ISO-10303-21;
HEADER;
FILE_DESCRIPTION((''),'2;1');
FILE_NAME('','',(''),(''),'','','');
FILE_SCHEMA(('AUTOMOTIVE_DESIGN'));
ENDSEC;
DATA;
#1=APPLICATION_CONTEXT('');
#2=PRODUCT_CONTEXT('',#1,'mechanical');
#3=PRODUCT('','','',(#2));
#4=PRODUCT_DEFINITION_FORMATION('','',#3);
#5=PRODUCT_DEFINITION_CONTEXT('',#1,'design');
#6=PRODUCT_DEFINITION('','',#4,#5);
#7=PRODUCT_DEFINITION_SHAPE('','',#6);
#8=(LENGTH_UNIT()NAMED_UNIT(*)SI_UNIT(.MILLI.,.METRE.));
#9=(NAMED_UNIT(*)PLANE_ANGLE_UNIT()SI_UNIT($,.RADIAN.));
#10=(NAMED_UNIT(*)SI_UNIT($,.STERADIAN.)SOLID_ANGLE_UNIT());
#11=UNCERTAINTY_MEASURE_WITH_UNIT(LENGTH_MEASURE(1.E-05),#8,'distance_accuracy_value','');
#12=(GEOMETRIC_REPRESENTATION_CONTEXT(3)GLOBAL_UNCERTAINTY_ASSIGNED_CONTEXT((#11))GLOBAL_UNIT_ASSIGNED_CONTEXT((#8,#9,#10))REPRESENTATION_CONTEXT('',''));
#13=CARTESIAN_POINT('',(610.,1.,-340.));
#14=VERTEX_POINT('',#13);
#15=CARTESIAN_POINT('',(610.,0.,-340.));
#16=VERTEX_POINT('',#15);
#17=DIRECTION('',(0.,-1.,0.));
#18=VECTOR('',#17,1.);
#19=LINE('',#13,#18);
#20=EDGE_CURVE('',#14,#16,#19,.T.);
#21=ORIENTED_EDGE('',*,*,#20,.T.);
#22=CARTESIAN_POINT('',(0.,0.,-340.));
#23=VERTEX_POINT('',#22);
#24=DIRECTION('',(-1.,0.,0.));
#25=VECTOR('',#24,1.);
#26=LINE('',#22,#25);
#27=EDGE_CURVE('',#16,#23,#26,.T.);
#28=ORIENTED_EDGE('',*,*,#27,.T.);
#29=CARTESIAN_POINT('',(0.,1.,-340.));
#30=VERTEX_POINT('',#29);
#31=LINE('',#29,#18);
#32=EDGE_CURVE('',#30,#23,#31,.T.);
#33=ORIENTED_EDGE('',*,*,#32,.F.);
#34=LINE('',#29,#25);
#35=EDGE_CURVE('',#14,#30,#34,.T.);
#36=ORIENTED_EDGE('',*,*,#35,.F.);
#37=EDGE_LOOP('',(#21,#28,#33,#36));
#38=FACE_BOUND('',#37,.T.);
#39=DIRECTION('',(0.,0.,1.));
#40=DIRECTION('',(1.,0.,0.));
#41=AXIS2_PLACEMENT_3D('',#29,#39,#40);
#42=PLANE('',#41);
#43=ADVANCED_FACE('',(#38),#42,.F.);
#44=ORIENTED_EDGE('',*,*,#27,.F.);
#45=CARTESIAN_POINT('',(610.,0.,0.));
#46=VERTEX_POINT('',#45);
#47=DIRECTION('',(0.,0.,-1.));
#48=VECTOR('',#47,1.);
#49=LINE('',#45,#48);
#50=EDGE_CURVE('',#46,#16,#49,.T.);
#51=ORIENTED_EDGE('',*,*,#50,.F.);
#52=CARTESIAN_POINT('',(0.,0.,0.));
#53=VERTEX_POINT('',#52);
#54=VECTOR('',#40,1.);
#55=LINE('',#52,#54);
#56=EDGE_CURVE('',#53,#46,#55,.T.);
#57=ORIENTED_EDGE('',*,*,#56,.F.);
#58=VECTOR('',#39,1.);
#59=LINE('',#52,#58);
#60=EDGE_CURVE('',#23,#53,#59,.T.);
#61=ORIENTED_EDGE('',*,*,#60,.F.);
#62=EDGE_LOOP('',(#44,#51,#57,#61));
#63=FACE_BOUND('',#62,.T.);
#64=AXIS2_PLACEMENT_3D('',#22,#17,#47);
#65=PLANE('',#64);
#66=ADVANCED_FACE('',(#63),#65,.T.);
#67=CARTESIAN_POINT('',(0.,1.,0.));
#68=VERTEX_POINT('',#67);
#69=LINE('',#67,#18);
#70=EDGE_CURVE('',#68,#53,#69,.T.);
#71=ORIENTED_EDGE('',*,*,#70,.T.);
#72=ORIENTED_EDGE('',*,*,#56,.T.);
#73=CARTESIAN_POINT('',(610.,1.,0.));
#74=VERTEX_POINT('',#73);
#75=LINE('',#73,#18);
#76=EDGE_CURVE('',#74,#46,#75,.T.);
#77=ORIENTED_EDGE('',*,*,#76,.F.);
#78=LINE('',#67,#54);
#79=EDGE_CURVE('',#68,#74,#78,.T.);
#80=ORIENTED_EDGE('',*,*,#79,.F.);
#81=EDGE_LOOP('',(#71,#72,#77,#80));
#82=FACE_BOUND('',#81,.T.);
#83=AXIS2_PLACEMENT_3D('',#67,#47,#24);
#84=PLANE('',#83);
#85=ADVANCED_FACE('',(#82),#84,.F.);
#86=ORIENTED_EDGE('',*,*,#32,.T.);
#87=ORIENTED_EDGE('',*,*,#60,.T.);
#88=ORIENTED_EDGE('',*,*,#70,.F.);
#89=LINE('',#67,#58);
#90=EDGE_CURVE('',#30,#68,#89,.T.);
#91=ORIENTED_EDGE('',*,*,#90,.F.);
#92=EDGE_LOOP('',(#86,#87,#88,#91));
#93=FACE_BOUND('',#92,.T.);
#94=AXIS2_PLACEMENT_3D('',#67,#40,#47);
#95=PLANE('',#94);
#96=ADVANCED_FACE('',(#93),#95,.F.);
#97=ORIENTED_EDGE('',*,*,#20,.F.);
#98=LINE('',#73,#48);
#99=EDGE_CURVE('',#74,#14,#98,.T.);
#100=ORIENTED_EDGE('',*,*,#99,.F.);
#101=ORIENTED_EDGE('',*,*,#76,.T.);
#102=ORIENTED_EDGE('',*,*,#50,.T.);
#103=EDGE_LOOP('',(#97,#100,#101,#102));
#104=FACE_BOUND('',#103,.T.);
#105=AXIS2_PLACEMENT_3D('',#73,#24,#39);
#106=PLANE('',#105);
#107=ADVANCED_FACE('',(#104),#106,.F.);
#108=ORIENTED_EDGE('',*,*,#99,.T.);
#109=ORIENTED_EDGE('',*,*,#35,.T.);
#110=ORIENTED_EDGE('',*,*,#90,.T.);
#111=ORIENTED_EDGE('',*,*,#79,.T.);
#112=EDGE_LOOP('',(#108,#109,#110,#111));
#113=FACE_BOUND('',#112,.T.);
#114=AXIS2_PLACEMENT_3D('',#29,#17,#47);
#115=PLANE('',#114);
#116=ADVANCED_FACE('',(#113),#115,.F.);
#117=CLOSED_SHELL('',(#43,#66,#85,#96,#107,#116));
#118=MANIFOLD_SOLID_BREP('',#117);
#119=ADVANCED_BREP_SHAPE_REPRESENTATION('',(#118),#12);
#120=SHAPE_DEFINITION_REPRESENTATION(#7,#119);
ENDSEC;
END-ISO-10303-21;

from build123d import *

# Parameters (mm, degrees)
ESQUISSE1_W      = 610
ESQUISSE1_H      = 340
EXTRUSION1_DEPTH = 1


with BuildPart() as part:
    # Esquisse1 → Extrusion1 (new body)
    with BuildSketch(Plane(origin=(0, 0, 0), x_dir=(1, 0, 0), z_dir=(0, 1, 0))):
        with Locations((305, 170)):
            Rectangle(ESQUISSE1_W, ESQUISSE1_H)
    extrude(amount=EXTRUSION1_DEPTH)


solid = part.part
